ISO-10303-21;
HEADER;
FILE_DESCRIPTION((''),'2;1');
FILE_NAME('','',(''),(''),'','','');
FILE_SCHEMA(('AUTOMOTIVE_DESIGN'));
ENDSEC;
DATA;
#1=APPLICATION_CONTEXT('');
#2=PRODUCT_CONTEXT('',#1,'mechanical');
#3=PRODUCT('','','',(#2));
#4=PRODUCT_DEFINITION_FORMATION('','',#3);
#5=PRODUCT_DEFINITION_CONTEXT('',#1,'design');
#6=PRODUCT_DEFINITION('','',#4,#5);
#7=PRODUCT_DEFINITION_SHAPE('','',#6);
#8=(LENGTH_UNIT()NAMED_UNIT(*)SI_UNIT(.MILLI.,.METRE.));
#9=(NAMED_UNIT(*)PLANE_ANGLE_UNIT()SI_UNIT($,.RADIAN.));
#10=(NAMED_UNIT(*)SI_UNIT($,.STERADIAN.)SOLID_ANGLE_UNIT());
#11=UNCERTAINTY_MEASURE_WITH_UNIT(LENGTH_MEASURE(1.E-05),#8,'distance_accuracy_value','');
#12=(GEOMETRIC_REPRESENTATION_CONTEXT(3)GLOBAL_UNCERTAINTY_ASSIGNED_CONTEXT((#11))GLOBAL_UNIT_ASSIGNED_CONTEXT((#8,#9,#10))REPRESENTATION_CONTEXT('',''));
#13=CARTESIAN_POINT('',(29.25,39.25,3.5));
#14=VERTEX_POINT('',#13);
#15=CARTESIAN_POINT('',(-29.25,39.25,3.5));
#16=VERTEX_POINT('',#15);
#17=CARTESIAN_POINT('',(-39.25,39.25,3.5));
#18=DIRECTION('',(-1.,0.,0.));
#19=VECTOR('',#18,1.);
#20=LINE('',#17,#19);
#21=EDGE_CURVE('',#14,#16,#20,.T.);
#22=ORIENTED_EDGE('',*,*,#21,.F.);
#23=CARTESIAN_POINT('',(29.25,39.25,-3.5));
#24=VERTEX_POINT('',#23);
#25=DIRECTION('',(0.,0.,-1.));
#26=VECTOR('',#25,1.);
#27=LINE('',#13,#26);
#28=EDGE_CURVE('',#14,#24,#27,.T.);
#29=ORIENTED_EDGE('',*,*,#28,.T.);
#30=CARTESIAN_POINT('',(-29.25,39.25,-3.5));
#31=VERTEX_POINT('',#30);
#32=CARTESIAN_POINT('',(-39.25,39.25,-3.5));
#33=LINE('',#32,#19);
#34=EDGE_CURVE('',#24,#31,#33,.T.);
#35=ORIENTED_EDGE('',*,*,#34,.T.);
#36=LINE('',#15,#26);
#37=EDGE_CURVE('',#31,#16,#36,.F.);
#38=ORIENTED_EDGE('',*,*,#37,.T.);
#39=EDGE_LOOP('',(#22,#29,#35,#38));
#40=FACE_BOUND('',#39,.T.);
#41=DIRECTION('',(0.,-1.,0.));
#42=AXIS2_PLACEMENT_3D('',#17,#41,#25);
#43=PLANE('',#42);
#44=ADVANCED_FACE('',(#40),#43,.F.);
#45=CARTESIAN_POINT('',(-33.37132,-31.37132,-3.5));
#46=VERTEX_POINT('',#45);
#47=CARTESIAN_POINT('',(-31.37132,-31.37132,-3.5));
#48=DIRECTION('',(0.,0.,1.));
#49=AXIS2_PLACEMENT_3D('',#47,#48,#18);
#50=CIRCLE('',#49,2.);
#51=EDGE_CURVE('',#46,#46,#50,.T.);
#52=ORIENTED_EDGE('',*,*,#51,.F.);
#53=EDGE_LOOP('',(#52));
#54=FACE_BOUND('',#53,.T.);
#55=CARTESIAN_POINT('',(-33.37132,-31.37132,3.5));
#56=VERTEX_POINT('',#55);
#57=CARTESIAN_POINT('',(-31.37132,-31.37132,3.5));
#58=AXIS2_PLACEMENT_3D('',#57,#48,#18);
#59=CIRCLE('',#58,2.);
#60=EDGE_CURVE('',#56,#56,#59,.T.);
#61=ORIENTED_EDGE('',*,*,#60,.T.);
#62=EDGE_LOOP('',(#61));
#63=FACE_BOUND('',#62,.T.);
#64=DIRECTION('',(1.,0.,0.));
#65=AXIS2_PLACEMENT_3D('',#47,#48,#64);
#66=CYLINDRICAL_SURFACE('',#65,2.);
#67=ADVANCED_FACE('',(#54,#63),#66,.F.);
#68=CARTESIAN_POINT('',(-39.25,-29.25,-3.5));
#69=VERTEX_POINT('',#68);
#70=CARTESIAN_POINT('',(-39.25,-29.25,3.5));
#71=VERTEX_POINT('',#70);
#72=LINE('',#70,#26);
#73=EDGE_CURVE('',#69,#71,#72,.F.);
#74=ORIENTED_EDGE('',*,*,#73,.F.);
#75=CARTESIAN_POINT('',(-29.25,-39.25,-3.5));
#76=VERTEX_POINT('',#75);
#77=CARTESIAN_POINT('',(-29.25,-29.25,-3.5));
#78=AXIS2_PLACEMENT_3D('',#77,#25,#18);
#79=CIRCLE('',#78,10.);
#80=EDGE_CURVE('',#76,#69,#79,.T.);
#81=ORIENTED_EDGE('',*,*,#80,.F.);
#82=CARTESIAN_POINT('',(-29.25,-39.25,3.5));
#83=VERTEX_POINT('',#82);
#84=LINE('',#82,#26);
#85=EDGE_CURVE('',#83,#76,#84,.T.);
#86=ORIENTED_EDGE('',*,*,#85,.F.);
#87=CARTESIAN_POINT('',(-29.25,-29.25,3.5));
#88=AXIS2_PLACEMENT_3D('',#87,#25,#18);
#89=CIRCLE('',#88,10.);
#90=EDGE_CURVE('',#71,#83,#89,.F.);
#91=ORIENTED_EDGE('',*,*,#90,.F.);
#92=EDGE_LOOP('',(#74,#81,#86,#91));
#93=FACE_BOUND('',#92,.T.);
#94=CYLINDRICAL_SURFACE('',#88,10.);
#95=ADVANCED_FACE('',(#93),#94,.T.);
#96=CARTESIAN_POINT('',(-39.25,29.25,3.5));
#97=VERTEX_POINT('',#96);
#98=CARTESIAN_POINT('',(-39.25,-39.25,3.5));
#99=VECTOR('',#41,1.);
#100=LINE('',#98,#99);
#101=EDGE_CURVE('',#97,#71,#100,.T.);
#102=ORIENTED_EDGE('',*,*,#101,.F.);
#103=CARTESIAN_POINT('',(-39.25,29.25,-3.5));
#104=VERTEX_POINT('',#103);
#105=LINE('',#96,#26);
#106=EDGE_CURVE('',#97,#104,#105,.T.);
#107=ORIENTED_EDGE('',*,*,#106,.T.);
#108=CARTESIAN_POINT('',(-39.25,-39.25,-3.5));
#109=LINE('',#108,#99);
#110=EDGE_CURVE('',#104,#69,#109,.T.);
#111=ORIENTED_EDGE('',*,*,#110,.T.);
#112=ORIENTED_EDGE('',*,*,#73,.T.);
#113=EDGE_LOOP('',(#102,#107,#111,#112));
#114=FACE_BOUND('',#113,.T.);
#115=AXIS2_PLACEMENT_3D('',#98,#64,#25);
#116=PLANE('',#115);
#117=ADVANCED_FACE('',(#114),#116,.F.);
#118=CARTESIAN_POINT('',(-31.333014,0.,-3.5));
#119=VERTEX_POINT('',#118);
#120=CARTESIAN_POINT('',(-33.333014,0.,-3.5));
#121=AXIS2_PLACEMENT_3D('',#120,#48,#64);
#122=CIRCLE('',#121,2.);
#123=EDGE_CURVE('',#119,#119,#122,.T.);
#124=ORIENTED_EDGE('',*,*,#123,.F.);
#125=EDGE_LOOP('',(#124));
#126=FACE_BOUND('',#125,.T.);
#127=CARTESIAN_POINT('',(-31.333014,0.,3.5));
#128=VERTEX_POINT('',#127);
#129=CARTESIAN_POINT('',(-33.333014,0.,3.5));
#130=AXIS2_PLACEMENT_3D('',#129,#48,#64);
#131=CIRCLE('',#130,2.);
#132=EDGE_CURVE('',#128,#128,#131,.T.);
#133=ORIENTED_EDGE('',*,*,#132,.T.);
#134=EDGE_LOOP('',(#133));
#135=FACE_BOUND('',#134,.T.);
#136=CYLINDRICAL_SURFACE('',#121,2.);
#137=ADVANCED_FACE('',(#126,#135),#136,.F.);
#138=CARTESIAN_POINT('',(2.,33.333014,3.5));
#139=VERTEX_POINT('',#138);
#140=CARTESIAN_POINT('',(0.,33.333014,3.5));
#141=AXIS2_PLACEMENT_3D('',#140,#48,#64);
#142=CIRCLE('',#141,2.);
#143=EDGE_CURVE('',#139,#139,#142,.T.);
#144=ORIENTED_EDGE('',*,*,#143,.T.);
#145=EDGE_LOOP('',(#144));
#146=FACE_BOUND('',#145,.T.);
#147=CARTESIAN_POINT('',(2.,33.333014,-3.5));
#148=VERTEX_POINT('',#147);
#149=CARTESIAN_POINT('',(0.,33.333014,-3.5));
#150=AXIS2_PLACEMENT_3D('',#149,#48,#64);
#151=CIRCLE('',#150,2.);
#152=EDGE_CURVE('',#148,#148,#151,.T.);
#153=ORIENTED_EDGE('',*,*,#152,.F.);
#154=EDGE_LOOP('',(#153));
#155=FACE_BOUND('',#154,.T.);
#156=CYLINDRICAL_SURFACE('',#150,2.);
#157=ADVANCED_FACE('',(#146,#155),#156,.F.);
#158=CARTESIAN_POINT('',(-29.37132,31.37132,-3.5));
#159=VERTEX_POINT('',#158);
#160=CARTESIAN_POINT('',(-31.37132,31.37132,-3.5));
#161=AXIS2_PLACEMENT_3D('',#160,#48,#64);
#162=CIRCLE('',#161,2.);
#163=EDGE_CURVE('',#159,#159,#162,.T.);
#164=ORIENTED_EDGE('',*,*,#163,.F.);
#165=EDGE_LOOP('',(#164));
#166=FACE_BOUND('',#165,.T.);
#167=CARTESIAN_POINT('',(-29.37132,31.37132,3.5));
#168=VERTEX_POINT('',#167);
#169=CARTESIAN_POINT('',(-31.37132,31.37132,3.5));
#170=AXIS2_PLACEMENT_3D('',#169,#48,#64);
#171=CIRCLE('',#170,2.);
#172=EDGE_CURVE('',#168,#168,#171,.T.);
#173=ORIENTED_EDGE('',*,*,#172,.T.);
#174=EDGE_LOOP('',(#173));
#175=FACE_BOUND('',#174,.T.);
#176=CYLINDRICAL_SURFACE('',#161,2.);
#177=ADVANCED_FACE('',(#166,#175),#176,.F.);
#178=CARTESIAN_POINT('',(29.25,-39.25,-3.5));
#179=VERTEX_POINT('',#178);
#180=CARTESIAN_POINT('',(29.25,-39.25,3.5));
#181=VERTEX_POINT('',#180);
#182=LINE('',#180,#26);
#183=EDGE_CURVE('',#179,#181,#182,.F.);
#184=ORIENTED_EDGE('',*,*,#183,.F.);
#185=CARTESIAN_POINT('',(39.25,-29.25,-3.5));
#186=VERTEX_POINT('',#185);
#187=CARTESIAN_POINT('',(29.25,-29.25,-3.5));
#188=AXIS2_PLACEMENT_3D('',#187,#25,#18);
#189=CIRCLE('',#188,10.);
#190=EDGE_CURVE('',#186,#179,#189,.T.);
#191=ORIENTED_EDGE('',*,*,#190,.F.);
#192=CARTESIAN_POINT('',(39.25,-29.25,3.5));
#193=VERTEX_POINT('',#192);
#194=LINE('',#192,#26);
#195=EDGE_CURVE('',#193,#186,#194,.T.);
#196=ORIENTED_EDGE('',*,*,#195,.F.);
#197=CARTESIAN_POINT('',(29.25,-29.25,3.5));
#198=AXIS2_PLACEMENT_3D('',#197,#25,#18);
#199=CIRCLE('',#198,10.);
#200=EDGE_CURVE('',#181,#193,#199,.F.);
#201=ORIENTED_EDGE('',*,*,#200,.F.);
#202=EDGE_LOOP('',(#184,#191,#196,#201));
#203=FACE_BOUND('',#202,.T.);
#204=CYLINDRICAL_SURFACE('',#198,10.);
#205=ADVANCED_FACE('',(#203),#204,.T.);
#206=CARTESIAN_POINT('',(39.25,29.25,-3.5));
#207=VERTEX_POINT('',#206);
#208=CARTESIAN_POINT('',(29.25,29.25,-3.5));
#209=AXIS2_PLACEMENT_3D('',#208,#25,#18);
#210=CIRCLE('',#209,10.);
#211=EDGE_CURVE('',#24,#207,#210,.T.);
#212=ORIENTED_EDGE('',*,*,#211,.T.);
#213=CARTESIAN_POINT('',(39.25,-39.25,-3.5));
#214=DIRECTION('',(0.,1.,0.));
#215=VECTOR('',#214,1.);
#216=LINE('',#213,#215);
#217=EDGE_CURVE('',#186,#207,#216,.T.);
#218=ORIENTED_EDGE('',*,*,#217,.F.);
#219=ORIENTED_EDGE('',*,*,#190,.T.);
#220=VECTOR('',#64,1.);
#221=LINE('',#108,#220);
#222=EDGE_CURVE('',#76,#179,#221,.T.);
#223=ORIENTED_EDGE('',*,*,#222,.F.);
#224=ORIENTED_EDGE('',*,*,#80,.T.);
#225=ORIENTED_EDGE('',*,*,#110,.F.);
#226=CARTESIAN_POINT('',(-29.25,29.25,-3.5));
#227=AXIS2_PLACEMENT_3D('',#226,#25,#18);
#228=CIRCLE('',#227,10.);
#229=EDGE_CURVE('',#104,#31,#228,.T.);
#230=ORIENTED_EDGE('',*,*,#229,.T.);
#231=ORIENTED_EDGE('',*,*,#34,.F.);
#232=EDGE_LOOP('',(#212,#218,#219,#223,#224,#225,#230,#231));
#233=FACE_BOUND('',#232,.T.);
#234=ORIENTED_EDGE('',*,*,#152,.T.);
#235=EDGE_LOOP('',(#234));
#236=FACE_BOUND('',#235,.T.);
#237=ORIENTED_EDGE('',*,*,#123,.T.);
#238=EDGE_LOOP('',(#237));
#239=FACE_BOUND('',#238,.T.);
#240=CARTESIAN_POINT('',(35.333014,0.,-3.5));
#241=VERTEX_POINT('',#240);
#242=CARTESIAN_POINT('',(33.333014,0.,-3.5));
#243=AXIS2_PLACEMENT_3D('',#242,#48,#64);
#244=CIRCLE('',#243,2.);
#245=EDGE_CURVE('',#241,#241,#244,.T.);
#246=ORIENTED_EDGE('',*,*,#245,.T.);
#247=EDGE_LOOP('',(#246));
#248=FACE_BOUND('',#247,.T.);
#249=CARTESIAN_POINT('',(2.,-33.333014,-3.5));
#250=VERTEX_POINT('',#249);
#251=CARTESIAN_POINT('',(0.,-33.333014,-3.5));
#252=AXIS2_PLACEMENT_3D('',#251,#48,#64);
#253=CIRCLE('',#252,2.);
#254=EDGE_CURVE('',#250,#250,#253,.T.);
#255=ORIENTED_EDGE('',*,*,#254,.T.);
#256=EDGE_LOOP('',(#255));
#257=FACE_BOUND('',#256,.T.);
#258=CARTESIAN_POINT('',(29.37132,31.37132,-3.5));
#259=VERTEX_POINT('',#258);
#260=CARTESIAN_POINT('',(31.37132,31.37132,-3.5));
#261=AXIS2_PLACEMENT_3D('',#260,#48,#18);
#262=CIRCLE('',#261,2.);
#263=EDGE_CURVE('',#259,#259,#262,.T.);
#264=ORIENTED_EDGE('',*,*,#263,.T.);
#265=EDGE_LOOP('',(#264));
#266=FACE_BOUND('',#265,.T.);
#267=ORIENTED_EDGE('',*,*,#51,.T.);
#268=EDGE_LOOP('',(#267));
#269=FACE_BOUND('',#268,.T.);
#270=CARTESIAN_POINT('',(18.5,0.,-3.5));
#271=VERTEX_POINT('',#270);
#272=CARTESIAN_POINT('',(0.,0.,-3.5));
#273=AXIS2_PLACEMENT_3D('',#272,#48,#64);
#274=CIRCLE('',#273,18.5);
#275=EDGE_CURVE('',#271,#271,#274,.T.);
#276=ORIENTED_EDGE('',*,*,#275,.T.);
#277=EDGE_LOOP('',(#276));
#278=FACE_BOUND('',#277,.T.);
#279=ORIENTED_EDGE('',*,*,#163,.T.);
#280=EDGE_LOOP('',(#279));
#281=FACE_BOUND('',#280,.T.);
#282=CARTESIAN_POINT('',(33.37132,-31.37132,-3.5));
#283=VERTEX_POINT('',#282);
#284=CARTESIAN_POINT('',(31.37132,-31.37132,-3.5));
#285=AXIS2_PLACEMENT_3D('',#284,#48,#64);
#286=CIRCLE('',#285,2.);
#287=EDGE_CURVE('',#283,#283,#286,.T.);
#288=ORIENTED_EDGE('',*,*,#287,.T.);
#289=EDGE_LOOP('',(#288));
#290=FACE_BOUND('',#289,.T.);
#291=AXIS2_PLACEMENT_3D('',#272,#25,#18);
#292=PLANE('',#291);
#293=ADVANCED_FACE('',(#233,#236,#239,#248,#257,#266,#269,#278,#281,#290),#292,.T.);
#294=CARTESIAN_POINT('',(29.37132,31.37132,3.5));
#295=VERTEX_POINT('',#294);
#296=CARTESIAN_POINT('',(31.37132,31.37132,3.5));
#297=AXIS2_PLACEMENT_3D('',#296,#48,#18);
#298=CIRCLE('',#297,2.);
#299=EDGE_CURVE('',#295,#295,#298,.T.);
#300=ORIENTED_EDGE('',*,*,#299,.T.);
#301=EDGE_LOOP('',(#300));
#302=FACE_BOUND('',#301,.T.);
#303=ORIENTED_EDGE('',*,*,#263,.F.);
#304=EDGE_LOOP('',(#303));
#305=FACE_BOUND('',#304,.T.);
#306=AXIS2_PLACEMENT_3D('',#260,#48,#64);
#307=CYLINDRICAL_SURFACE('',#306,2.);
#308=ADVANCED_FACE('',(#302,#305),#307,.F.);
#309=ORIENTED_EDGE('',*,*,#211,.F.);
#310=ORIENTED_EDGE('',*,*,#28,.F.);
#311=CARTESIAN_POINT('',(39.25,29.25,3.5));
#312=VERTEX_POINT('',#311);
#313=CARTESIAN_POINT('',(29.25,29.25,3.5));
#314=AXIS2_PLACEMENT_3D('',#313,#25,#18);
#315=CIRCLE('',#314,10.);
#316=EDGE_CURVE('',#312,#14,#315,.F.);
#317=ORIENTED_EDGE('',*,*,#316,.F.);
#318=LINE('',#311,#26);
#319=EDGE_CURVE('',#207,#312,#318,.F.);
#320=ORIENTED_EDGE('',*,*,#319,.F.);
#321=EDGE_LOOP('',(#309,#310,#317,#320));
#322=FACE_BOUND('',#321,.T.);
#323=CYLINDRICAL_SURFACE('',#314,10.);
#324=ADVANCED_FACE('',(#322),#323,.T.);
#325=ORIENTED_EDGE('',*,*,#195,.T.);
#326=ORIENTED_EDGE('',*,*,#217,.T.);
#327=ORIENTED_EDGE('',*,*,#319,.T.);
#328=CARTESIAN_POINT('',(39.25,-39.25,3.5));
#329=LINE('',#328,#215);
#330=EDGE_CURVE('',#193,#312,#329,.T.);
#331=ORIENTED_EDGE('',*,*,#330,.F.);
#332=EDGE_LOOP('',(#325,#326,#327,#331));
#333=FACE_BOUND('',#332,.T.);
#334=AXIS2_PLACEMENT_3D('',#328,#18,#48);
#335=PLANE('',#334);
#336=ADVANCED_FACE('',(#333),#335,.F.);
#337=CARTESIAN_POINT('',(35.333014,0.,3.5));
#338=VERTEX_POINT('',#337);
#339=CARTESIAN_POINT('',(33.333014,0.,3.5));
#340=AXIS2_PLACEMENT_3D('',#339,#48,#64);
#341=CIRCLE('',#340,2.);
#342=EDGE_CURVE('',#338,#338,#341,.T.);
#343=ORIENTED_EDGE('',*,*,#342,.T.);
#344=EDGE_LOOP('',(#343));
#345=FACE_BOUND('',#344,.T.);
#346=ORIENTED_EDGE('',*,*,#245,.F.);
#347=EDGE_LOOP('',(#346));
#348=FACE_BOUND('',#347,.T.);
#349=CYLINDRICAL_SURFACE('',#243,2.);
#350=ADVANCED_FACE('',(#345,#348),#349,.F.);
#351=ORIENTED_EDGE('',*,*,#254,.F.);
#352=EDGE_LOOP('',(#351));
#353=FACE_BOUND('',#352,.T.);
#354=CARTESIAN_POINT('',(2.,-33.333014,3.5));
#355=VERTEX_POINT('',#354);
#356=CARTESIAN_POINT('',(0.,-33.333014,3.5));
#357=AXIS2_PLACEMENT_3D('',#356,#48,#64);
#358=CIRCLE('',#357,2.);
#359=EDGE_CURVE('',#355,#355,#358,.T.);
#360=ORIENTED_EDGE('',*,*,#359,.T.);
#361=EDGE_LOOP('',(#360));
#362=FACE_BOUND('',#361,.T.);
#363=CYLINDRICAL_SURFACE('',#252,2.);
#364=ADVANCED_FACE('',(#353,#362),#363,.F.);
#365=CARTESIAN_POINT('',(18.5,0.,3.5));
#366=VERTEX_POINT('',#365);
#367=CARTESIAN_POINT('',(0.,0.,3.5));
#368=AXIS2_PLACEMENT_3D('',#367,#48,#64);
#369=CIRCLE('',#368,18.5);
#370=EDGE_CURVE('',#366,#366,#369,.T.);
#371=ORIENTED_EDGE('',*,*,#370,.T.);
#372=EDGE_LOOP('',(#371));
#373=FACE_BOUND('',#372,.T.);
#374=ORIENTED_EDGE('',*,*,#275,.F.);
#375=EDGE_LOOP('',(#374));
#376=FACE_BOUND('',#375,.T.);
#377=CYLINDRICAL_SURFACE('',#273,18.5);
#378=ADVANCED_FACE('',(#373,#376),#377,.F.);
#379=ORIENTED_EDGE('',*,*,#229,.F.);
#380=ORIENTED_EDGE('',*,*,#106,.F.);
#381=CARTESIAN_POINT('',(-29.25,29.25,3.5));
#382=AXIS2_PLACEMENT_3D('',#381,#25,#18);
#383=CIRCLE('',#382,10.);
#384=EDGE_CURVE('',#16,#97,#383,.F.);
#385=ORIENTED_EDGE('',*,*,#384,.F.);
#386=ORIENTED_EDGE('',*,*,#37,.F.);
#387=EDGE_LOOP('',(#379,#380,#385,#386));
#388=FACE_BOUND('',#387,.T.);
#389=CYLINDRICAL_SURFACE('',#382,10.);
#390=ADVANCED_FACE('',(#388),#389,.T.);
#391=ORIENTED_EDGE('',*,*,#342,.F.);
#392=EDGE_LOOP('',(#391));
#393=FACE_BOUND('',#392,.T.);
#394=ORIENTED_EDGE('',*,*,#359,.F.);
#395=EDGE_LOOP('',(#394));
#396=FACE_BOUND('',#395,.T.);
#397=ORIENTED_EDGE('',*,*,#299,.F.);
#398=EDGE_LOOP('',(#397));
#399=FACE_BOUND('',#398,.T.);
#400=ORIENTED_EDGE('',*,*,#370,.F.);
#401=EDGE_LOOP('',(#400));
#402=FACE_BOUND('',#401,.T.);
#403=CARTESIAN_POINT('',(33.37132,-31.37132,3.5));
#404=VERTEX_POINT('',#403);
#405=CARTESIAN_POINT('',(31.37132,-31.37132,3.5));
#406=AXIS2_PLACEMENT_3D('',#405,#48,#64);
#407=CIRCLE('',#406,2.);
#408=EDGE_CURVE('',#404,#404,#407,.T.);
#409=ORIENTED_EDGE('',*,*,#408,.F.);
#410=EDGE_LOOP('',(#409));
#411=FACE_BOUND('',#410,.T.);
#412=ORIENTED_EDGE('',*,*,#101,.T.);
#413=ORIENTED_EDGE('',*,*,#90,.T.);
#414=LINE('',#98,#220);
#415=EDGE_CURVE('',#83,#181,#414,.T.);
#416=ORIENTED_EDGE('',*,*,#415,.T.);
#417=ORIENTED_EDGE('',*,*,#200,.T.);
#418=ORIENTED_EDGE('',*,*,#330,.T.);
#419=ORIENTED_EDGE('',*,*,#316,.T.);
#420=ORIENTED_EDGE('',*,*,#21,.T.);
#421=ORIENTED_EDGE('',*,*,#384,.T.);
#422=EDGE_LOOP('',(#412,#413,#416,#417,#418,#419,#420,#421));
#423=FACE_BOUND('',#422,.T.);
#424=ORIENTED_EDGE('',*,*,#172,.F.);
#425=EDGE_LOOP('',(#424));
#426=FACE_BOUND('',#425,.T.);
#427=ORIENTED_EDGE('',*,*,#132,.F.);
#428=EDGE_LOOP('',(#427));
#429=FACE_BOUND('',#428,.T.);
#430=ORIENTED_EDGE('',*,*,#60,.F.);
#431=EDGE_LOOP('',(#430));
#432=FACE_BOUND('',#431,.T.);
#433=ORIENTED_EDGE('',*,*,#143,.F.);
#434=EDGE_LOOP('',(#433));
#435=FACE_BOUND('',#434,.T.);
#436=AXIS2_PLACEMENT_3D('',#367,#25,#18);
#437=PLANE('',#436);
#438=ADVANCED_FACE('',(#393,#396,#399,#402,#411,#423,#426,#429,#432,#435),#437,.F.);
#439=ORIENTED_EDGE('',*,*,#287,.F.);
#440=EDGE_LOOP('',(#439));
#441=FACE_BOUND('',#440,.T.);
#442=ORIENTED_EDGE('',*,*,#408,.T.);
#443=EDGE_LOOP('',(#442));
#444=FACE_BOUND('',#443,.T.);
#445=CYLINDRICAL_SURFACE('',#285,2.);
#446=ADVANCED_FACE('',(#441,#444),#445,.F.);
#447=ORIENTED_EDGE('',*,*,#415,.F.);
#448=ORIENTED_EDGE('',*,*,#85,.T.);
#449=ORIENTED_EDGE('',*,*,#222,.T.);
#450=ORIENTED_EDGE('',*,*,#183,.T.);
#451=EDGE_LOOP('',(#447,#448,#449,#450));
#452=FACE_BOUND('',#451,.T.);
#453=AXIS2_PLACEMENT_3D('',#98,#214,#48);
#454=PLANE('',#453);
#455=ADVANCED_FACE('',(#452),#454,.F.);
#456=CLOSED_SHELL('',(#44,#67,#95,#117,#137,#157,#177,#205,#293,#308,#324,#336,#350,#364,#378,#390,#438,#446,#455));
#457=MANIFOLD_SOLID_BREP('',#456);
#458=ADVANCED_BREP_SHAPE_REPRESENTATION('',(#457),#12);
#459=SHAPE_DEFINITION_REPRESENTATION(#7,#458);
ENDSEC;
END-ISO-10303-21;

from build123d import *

# Parameters (mm, degrees)
SKETCH1_W           = 78.5
SKETCH1_H           = 78.5
BOSS_EXTRUDE1_DEPTH = 3.5
FILLET1_R           = 10
SKETCH2_R           = 2
CUT_EXTRUDE1_DEPTH  = 56.947520052
SKETCH3_R           = 18.5
CUT_EXTRUDE2_DEPTH  = 56.947520052
SKETCH4_R           = 2
CUT_EXTRUDE3_DEPTH  = 56.947520052


with BuildPart() as part:
    # Sketch1 → Boss-Extrude1 (new, symmetric)
    with BuildSketch(Plane.XY):
        Rectangle(SKETCH1_W, SKETCH1_H)
    extrude(amount=BOSS_EXTRUDE1_DEPTH, both=True)

    # Fillet1
    fillet1_edges = [part.edges().sort_by_distance(p)[0] for p in [
        (39.25, -39.25, 0),
        (-39.25, -39.25, 0),
        (-39.25, 39.25, 0),
        (39.25, 39.25, 0),
    ]]
    fillet(fillet1_edges, radius=FILLET1_R)

    # Sketch2 → Cut-Extrude1 (cut, through all)
    with BuildSketch(Plane.XY.offset(3.5)):
        with Locations((-31.371320344, 31.371320344)):
            Circle(SKETCH2_R)
        with Locations(Location((-31.371320344, -31.371320344, 0), (0, 0, 180))):
            Circle(SKETCH2_R)
        with Locations(Location((31.371320344, 31.371320344, 0), (0, 0, 180))):
            Circle(SKETCH2_R)
        with Locations((31.371320344, -31.371320344)):
            Circle(SKETCH2_R)
    extrude(amount=-CUT_EXTRUDE1_DEPTH, mode=Mode.SUBTRACT)

    # Sketch3 → Cut-Extrude2 (cut, through all)
    with BuildSketch(Plane.XY.offset(3.5)):
        Circle(SKETCH3_R)
    extrude(amount=-CUT_EXTRUDE2_DEPTH, mode=Mode.SUBTRACT)

    # Sketch4 → Cut-Extrude3 (cut, through all)
    with BuildSketch(Plane.XY.offset(3.5)):
        with Locations((0, 33.333013665)):
            Circle(SKETCH4_R)
        with Locations((-33.333013665, 0)):
            Circle(SKETCH4_R)
        with Locations((0, -33.333013665)):
            Circle(SKETCH4_R)
        with Locations((33.333013665, 0)):
            Circle(SKETCH4_R)
    extrude(amount=-CUT_EXTRUDE3_DEPTH, mode=Mode.SUBTRACT)


solid = part.part
